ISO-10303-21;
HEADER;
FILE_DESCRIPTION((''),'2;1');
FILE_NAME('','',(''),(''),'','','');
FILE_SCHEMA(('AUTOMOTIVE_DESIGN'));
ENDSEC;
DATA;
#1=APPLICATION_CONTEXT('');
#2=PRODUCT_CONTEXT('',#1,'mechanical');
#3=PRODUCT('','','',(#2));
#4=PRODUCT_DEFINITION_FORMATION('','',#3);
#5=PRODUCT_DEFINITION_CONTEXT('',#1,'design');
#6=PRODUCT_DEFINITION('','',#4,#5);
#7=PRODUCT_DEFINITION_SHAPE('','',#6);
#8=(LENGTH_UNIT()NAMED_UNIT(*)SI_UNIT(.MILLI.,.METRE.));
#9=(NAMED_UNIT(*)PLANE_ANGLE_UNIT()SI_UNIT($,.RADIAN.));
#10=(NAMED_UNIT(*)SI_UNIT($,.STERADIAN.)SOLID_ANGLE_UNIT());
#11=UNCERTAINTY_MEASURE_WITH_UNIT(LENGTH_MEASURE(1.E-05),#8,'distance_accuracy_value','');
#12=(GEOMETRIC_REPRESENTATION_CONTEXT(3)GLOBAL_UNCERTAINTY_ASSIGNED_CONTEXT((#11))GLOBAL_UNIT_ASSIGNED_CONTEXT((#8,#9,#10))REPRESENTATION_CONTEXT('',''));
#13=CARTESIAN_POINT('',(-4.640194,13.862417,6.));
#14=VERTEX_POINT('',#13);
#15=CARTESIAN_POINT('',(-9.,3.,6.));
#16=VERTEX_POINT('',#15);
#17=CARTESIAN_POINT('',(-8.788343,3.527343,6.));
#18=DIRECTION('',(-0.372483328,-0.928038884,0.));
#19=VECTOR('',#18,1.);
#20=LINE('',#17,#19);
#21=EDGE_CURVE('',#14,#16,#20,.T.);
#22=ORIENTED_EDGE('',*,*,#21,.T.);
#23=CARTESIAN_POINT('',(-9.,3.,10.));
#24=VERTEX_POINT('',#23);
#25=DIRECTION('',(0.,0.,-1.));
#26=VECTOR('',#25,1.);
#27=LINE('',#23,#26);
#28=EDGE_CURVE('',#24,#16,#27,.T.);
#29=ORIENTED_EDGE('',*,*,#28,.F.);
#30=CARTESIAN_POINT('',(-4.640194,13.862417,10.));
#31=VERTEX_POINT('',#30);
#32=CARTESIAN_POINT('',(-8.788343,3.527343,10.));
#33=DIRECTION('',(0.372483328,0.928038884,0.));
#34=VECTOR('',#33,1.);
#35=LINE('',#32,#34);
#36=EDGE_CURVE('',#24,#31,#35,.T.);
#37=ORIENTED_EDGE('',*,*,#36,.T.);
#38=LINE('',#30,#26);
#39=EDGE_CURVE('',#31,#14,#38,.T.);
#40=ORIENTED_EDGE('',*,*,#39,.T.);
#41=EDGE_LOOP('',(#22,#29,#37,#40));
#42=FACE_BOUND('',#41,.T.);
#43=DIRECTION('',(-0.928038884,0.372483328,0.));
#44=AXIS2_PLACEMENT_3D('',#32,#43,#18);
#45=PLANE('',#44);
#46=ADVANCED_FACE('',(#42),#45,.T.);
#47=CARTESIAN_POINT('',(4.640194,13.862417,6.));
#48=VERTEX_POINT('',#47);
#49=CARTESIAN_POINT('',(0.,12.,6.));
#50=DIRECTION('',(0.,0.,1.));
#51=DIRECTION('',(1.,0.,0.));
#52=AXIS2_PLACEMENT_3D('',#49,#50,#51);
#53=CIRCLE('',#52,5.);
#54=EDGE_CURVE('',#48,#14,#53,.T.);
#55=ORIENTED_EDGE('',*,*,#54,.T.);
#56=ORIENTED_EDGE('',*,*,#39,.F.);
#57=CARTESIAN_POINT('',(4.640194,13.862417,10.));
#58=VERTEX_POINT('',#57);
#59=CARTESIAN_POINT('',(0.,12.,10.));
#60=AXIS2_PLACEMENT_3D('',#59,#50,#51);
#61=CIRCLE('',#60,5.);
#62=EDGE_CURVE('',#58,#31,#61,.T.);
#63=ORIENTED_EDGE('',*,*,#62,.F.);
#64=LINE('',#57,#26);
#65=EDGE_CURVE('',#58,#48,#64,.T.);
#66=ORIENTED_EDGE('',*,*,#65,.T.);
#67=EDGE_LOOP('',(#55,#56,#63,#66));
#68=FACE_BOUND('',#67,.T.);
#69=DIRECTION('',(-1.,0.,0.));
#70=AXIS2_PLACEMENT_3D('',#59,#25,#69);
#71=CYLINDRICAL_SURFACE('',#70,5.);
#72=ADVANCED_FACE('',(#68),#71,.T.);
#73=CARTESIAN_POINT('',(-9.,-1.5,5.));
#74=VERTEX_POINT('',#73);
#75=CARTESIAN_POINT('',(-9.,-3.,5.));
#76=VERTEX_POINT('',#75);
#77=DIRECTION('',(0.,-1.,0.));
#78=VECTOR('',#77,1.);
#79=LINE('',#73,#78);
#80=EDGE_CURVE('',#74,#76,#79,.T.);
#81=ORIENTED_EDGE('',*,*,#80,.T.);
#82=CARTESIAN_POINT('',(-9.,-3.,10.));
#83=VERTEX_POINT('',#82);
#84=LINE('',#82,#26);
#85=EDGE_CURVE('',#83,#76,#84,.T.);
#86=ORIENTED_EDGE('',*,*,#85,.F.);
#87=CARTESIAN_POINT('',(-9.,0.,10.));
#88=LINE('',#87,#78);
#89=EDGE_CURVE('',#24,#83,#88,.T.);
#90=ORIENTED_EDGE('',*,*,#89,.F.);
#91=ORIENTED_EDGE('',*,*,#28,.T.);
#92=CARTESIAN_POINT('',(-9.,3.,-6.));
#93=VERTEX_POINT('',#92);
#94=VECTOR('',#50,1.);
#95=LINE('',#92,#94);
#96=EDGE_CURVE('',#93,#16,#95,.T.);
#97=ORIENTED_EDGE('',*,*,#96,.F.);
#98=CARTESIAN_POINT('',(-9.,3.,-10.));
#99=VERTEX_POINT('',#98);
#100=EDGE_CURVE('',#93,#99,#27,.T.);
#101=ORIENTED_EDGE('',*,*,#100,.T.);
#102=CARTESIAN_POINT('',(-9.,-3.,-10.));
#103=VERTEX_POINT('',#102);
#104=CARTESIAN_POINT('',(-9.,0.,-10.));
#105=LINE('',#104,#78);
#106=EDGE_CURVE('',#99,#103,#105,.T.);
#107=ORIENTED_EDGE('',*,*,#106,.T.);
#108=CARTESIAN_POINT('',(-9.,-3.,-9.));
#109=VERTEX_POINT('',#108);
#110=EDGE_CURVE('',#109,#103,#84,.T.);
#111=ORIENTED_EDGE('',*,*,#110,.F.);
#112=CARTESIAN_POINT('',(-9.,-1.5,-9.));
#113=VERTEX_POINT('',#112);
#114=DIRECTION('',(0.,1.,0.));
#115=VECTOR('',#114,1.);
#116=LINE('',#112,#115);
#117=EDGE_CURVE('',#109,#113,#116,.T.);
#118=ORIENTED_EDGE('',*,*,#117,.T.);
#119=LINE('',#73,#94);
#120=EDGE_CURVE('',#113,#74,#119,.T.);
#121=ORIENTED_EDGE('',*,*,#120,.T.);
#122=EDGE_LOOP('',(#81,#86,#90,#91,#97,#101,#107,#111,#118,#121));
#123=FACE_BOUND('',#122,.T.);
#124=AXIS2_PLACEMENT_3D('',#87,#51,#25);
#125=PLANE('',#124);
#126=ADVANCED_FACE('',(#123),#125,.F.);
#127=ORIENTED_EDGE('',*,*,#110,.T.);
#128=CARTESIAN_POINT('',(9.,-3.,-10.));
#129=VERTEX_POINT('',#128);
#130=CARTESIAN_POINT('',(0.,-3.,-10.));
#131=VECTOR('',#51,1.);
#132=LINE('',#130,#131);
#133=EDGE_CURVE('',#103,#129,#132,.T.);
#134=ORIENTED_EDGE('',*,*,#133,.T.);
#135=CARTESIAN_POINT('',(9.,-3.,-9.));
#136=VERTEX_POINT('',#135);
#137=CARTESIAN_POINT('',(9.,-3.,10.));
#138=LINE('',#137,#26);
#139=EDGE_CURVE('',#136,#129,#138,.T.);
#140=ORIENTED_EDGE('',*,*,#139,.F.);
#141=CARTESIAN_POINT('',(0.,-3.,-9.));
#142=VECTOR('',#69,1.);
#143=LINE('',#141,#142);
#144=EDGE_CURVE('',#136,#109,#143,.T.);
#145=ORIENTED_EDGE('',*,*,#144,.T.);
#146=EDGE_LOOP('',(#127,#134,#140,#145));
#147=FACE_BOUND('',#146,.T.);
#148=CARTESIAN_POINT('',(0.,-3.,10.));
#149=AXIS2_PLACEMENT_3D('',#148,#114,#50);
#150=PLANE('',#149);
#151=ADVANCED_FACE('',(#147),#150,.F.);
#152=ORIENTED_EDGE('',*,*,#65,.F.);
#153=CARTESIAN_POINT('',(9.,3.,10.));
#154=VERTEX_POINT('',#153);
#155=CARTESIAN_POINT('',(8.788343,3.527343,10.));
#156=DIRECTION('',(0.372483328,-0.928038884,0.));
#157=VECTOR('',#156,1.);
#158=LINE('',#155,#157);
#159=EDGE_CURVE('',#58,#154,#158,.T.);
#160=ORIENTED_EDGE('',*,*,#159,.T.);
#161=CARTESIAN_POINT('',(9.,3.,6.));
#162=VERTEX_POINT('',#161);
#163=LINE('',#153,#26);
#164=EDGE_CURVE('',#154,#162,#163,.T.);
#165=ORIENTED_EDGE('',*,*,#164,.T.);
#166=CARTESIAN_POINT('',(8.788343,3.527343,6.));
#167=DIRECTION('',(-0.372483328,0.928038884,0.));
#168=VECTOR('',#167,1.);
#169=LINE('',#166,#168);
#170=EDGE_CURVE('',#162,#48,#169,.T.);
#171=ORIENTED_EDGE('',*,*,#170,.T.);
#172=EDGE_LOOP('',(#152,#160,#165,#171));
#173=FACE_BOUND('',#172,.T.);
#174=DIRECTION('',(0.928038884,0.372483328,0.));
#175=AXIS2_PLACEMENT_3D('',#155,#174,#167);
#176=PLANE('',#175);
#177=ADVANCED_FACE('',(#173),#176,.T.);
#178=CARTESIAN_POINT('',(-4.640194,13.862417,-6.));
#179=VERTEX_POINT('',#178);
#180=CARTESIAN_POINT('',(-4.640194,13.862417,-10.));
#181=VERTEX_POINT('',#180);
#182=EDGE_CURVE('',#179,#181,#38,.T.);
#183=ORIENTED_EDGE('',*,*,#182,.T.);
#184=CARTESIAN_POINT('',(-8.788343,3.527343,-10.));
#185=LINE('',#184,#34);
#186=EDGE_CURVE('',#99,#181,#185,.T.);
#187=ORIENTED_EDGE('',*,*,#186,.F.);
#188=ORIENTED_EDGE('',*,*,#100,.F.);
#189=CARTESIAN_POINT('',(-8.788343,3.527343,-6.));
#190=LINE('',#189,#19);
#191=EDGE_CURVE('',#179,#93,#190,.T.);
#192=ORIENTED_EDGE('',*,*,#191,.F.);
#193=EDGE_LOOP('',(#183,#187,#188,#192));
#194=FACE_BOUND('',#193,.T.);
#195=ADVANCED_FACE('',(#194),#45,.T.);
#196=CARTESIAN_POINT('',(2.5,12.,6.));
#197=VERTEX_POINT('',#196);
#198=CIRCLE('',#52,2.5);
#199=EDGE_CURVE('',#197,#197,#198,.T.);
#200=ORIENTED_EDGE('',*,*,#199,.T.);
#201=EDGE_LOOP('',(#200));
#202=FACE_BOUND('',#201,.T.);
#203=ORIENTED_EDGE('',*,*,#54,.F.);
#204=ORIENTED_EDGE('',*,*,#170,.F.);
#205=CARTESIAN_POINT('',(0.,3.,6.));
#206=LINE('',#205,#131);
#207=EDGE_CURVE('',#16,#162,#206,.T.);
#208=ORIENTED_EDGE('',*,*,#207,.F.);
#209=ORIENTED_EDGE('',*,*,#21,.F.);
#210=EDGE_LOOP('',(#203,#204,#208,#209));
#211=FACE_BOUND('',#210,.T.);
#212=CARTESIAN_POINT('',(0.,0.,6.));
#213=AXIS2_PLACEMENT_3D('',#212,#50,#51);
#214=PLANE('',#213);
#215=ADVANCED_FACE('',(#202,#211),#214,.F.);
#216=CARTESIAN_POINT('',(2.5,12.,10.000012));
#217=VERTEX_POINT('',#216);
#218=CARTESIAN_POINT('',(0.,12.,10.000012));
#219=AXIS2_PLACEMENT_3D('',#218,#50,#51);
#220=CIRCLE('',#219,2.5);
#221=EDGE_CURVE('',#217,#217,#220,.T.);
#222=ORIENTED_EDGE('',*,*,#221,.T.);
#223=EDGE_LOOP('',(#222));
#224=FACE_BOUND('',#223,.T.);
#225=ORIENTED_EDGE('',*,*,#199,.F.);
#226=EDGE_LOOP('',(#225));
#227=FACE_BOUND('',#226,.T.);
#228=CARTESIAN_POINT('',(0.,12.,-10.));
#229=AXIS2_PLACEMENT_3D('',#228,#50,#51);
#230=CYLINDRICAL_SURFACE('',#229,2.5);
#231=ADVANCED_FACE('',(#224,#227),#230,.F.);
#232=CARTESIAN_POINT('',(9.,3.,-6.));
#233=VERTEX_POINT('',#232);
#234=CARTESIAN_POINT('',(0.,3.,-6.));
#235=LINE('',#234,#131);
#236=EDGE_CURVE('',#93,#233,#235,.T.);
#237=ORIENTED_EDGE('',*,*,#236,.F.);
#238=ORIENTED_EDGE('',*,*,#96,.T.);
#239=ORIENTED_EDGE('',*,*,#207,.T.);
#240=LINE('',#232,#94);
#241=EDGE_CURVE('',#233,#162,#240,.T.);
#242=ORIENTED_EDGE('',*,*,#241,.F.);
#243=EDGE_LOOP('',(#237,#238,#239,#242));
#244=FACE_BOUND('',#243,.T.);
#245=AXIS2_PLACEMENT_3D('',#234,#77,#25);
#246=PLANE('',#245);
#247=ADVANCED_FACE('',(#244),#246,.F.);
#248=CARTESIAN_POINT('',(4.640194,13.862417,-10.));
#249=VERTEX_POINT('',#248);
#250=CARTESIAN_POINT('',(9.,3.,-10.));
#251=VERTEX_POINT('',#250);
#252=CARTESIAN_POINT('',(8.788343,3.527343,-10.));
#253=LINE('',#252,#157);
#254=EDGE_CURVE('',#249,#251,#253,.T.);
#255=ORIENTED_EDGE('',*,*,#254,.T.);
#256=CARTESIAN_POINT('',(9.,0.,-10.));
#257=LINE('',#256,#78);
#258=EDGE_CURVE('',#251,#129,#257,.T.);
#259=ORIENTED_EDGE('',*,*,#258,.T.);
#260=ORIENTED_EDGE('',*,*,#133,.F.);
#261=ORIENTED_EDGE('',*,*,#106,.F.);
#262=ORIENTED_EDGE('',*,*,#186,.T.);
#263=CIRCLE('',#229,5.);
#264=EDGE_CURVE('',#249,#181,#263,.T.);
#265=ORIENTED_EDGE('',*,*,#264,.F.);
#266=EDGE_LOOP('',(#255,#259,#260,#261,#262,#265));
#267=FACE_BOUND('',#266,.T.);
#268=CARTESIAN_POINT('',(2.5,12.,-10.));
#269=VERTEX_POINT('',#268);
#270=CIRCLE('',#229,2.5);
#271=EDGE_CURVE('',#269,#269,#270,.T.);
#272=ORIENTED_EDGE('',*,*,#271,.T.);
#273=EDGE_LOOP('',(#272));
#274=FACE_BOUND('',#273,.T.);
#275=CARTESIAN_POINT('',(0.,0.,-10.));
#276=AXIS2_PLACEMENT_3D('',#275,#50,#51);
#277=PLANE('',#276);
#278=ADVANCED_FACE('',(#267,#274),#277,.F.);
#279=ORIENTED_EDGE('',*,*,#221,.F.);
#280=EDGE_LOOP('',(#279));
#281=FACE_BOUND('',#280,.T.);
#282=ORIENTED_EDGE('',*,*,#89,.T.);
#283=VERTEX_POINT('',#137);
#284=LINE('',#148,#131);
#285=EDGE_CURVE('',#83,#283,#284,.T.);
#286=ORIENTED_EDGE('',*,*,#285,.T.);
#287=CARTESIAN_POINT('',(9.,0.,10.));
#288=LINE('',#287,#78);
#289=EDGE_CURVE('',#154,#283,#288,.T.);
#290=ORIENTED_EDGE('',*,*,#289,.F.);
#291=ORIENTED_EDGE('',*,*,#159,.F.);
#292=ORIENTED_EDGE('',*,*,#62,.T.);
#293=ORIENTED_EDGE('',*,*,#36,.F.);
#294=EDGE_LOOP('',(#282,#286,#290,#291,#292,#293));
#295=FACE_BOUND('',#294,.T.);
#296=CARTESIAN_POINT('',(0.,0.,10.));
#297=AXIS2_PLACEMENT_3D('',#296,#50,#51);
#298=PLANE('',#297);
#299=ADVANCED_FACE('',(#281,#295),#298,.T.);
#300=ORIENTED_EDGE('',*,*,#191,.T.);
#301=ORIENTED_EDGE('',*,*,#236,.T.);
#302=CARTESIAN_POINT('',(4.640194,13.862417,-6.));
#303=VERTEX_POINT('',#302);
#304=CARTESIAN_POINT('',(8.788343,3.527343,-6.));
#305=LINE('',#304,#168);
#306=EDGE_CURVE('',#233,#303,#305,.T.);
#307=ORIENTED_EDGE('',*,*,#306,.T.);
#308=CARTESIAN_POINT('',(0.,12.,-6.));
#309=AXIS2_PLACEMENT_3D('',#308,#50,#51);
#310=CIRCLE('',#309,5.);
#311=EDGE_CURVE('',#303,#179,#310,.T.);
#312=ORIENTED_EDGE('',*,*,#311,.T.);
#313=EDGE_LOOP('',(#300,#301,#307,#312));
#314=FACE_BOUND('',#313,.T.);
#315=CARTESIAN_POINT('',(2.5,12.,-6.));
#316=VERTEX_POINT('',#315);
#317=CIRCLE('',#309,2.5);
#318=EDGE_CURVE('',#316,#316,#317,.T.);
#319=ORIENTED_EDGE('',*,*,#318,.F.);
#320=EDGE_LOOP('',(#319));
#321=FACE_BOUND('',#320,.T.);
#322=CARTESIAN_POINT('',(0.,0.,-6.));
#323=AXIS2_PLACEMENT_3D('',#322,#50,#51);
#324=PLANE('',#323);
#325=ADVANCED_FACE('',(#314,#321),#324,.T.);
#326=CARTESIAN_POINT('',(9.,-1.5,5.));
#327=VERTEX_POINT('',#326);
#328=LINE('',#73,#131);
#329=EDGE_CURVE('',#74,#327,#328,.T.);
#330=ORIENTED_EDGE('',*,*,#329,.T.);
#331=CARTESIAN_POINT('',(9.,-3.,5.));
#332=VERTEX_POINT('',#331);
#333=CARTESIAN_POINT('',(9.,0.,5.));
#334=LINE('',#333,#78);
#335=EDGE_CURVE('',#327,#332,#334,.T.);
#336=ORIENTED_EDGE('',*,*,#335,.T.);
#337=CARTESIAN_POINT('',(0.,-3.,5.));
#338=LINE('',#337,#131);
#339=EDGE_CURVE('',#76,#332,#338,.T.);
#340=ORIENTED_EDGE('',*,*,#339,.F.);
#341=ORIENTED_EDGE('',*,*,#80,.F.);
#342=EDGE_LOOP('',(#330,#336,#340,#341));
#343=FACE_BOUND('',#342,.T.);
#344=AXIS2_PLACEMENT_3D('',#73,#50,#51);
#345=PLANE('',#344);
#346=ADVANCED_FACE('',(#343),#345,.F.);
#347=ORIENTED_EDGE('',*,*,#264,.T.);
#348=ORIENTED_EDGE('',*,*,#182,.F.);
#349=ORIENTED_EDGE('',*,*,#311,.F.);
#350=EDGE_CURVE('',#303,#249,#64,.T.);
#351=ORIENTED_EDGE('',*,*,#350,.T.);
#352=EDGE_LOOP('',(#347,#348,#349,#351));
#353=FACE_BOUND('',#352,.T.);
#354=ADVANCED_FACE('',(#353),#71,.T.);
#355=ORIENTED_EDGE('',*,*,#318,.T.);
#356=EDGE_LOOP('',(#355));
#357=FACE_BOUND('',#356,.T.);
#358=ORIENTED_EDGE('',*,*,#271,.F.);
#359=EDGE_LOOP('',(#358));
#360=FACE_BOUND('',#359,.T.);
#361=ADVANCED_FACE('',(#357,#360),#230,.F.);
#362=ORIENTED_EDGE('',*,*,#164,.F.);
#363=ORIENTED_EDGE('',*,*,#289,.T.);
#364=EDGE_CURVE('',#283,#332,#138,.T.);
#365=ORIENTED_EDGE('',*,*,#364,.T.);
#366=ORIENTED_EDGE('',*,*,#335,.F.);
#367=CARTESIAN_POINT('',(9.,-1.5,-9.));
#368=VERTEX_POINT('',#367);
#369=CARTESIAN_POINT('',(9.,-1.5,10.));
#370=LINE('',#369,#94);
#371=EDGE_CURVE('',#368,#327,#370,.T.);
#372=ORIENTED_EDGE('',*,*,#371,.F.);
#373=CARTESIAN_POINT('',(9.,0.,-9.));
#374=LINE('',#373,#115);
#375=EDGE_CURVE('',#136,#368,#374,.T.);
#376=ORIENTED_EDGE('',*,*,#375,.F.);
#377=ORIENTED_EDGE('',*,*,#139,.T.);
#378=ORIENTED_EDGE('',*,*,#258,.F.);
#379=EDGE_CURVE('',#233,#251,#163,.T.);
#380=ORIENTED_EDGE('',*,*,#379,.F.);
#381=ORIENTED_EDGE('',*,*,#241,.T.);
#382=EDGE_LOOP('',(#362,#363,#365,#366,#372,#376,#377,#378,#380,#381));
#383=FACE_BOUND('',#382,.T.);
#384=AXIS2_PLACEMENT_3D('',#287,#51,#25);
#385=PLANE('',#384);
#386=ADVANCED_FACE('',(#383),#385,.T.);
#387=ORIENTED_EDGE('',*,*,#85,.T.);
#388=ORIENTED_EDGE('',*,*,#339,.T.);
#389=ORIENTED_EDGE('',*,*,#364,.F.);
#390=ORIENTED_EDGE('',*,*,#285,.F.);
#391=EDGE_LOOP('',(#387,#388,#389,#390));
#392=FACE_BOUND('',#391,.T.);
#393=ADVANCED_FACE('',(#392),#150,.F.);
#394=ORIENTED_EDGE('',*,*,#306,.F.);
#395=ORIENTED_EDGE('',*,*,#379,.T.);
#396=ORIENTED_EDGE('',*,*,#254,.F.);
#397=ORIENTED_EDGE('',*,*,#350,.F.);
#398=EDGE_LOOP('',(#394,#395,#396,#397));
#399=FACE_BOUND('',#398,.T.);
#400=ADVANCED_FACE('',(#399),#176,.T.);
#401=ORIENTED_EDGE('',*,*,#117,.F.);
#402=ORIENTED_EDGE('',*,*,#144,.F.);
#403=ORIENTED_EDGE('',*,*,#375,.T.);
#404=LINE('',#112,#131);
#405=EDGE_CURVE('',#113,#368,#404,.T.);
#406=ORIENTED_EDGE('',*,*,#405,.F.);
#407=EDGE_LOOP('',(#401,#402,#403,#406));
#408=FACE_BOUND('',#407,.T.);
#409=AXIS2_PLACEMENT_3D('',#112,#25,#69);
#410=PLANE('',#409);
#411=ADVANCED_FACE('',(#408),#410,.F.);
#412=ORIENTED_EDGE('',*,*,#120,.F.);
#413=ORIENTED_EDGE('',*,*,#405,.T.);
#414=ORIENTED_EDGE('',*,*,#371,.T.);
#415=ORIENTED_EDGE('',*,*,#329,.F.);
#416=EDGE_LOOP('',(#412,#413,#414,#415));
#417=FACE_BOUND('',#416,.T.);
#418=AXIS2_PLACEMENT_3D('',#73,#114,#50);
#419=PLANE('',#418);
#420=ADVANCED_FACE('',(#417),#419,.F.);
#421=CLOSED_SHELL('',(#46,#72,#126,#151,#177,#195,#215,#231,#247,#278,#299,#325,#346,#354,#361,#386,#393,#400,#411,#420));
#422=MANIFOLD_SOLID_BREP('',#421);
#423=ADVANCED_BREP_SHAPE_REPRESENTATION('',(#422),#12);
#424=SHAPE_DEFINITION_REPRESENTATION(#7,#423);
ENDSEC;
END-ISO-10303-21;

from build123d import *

# Parameters (mm, degrees)
SKETCH_1_R               = 5
SKETCH_1_W               = 18
SKETCH_1_H               = 6
EXTRUDE_1_DEPTH          = 10
CUT_EXTRUDE_1_DEPTH      = 27.702059846
CUT_EXTRUDE_1_DEPTH_BACK = 27.702059846
SKETCH_2_W               = 14
SKETCH_2_H               = 3
CUT_EXTRUDE_START        = -4
CUT_EXTRUDE_2_DEPTH      = 12
CUT_EXTRUDE_3_DEPTH      = 28.748873851
CUT_EXTRUDE_3_DEPTH_BACK = 28.748873851
SKETCH_4_R               = 2.5


with BuildPart() as part:
    # 草图1 → 凸台-拉伸1 (new, symmetric)
    with BuildSketch(Plane.XY):
        with Locations((0, 12)):
            Circle(SKETCH_1_R)
        with BuildLine():
            Line((9, 3), (4.64019442, 13.862416642))
            ThreePointArc((4.64019442, 13.862416642), (4.909224587, 12.948427093), (5, 12))
            ThreePointArc((5, 12), (-0.948427093, 7.090775413), (-4.64019442, 13.862416642))
            Line((-4.64019442, 13.862416642), (-9, 3))
            Line((-9, 3), (9, 3))
        make_face()
        Rectangle(SKETCH_1_W, SKETCH_1_H)
    extrude(amount=EXTRUDE_1_DEPTH, both=True)

    # 草图2 → 切除-拉伸1 (cut, two sides: drawn at the far end of the back side and taken through both)
    with BuildSketch(Plane(origin=(9, 0, 0), x_dir=(0, 0, -1), z_dir=(1, 0, 0)).offset(-CUT_EXTRUDE_1_DEPTH_BACK)):
        with Locations((2, -3)):
            Rectangle(SKETCH_2_W, SKETCH_2_H)
    extrude(amount=CUT_EXTRUDE_1_DEPTH + CUT_EXTRUDE_1_DEPTH_BACK, mode=Mode.SUBTRACT)

    # 草图3 → 切除-拉伸2 (cut)
    with BuildSketch(Plane.XY.offset(10).offset(CUT_EXTRUDE_START)):
        with BuildLine():
            Line((-9, 3), (9, 3))
            Line((9, 3), (4.64019442, 13.862416642))
            ThreePointArc((4.64019442, 13.862416642), (0, 17), (-4.64019442, 13.862416642))
            Line((-4.64019442, 13.862416642), (-9, 3))
        make_face()
    extrude(amount=-CUT_EXTRUDE_2_DEPTH, mode=Mode.SUBTRACT)

    # 草图4 → 切除-拉伸3 (cut, two sides: drawn at the far end of the back side and taken through both)
    with BuildSketch(Plane.XY.offset(10).offset(-CUT_EXTRUDE_3_DEPTH_BACK)):
        with Locations((0, 12)):
            Circle(SKETCH_4_R)
    extrude(amount=CUT_EXTRUDE_3_DEPTH + CUT_EXTRUDE_3_DEPTH_BACK, mode=Mode.SUBTRACT)


solid = part.part
